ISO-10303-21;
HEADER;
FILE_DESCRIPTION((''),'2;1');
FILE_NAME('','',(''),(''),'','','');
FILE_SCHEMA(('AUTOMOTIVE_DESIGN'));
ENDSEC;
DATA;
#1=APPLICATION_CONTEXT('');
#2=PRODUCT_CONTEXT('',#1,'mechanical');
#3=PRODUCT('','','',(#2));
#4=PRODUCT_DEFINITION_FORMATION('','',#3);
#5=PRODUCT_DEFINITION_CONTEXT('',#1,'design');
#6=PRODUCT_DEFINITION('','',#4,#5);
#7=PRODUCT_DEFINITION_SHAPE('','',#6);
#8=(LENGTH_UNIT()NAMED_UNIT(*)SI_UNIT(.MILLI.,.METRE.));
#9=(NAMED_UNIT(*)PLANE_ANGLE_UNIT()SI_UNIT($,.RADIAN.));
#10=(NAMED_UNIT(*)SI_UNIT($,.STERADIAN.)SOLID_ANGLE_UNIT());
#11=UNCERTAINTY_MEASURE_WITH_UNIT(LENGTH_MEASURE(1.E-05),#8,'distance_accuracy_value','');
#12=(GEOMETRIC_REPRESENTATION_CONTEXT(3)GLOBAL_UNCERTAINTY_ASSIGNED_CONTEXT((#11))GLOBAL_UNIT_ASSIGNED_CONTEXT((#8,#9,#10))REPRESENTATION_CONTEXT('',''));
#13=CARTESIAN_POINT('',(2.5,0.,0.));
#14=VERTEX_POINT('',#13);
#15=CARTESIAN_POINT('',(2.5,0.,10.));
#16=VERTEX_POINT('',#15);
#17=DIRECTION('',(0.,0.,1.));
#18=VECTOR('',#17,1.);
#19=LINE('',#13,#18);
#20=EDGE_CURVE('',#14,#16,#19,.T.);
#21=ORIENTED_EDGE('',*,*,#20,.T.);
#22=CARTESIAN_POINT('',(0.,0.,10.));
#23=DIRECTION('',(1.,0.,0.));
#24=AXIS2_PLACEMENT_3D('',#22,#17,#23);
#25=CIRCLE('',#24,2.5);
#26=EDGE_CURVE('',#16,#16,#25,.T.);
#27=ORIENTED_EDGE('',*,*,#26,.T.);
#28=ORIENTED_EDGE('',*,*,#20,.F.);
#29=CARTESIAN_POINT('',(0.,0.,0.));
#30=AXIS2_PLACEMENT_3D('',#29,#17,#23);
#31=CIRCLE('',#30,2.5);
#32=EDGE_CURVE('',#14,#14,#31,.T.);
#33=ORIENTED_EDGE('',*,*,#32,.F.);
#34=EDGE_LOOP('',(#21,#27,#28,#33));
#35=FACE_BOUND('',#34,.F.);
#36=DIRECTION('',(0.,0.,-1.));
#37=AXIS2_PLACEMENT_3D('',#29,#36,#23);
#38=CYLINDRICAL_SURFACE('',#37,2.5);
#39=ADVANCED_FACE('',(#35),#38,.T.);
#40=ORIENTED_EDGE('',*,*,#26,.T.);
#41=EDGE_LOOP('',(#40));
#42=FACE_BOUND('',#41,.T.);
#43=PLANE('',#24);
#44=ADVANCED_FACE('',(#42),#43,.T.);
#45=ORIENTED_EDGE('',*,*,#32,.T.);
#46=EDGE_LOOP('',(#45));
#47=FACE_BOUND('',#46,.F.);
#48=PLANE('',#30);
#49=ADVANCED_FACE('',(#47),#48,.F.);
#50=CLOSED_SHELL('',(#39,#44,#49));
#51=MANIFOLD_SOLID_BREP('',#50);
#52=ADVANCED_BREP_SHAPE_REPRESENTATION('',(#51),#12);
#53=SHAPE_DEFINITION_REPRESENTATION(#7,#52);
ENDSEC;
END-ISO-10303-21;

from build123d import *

# Parameters (mm, degrees)
SKETCH_R  = 2.5
PAD_DEPTH = 10


with BuildPart() as part:
    # Sketch → Pad (new body)
    with BuildSketch(Plane.XY):
        Circle(SKETCH_R)
    extrude(amount=PAD_DEPTH)


solid = part.part
